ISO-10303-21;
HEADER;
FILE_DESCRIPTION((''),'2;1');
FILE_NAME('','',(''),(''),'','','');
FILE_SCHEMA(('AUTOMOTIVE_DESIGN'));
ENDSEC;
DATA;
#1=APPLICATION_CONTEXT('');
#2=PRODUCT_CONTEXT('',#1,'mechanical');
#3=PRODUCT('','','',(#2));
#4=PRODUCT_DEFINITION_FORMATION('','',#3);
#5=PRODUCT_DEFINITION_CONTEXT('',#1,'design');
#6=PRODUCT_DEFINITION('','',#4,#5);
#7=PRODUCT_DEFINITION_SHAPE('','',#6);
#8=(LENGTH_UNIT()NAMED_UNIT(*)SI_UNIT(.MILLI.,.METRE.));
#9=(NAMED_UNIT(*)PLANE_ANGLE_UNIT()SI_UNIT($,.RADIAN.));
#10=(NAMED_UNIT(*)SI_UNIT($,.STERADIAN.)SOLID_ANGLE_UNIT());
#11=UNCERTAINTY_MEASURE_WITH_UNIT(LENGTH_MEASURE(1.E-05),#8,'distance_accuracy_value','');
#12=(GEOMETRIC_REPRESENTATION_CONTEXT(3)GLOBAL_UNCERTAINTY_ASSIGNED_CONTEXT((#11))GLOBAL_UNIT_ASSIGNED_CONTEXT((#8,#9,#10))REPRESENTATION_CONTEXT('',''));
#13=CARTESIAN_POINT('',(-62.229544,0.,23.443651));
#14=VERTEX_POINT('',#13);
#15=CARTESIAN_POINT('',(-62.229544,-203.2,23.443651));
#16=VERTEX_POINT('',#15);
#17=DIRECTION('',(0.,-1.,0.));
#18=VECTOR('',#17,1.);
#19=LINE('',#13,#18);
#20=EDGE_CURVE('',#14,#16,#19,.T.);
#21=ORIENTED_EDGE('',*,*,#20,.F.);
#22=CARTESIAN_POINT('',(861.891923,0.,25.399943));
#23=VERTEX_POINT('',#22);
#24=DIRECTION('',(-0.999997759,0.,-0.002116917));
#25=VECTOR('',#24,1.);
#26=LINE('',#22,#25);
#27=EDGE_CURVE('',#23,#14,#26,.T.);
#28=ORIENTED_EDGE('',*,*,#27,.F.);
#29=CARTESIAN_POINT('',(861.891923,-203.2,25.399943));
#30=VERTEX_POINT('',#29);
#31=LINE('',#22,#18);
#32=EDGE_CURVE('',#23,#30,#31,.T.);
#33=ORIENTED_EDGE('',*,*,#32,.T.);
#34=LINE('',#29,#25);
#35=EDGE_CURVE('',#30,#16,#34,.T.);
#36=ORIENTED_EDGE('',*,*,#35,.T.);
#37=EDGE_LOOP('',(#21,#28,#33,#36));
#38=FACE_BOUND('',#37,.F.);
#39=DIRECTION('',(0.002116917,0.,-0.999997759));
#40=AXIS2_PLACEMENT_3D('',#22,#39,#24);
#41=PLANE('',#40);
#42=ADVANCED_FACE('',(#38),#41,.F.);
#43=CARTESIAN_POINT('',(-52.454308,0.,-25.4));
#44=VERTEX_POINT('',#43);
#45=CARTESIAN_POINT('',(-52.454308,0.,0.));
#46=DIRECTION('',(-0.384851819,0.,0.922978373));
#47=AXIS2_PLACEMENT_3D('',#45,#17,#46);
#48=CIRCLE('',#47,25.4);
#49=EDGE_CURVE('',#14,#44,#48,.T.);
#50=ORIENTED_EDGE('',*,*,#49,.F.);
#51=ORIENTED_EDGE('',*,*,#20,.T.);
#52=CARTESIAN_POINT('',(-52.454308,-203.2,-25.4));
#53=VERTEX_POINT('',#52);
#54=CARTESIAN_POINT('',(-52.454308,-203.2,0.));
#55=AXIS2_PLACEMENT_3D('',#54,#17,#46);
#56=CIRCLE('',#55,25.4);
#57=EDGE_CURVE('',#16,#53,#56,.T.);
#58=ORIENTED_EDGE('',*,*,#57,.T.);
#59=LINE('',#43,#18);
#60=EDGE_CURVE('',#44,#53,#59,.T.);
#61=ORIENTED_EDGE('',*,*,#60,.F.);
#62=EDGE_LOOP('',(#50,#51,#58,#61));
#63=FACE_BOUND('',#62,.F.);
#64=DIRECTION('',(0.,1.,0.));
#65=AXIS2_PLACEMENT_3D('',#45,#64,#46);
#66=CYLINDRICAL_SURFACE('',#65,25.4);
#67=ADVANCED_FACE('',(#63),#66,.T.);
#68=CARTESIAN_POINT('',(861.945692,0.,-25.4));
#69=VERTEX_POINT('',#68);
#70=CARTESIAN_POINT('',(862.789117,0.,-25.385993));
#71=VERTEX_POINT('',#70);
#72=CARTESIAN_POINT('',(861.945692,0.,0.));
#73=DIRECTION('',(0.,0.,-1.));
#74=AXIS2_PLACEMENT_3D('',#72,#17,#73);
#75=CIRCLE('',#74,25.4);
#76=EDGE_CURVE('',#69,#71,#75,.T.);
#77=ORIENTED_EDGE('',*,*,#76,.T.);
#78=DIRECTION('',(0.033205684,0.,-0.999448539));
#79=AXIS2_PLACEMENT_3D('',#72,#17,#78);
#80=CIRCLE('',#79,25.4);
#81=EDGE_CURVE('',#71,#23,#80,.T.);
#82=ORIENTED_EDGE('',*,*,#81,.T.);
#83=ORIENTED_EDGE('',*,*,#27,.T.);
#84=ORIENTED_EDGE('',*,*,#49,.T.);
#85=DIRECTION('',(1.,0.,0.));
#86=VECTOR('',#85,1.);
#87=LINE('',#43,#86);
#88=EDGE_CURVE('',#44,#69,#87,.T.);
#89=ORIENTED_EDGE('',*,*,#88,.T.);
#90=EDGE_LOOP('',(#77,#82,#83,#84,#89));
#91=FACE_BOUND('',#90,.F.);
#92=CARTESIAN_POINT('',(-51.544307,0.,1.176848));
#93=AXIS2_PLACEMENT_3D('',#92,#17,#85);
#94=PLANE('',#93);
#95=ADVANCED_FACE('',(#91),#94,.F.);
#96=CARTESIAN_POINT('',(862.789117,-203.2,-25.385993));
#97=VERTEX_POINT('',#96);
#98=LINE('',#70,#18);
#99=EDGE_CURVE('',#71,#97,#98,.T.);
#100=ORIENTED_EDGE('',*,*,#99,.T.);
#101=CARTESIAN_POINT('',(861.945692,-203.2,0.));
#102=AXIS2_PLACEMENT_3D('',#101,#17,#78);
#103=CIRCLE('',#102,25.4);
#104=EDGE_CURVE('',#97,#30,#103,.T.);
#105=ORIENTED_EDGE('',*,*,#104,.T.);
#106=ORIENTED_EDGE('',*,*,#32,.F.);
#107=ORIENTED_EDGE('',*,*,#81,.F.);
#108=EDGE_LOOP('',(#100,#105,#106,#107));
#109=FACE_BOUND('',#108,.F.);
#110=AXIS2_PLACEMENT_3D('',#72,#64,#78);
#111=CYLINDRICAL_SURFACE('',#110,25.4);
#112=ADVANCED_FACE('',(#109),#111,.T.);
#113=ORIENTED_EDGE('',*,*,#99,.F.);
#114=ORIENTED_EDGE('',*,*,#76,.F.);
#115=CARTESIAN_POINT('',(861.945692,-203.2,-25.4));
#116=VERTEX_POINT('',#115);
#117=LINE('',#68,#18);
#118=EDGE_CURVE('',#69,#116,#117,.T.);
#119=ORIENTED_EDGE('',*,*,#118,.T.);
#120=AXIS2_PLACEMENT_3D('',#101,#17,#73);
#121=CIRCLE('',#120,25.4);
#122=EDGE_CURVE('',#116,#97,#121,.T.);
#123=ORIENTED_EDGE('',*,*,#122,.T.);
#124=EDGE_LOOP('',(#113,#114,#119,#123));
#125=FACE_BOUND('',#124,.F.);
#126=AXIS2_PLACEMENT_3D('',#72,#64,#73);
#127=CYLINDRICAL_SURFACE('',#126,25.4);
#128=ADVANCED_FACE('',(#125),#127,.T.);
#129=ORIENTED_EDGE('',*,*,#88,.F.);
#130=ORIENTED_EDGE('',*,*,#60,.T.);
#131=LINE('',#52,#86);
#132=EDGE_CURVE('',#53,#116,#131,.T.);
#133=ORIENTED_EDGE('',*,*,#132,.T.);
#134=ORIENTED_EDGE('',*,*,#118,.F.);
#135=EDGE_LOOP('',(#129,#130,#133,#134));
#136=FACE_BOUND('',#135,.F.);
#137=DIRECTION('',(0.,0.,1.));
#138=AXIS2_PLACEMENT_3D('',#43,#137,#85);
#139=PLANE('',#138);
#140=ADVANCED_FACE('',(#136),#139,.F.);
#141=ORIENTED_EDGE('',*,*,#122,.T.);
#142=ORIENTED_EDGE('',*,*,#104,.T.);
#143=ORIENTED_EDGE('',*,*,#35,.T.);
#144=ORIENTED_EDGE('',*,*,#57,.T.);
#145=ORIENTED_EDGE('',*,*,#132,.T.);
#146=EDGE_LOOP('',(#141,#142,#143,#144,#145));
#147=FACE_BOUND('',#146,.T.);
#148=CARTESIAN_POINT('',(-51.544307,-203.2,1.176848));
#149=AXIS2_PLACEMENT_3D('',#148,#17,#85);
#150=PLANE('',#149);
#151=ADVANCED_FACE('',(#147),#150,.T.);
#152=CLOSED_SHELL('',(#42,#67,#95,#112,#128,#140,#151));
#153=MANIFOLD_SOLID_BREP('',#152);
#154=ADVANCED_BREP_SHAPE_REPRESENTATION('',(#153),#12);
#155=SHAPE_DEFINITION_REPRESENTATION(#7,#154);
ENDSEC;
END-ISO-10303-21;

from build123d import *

# Parameters (mm, degrees)
F1_DEPTH = 203.2


with BuildPart() as f1:
    # F0 (on Front) → F1 (new body)
    with BuildSketch(Plane.XZ):
        with BuildLine():
            Line((-42.7784153649, 23.4848271869), (-62.2295438798, 23.4436506788))
            ThreePointArc((-62.2295438798, 23.4436506788), (-77.3604186448, -4.984539736), (-52.4543076754, -25.4))
            ThreePointArc((-52.4543076754, -25.4), (-34.4937954332, -17.9605122421), (-27.0543076754, 0))
            ThreePointArc((-27.0543076754, 0), (-31.348293548, 14.1313894454), (-42.7784153649, 23.4848271869))
        make_face()
        with BuildLine():
            Line((861.8919226443, 25.399943087), (-42.7784153649, 23.4848271869))
            ThreePointArc((-42.7784153649, 23.4848271869), (-31.348293548, 14.1313894454), (-27.0543076754, 0))
            Line((-27.0543076754, 0), (836.5456923246, 0))
            ThreePointArc((836.5456923246, 0), (843.96617968, 17.9414917178), (861.8919226443, 25.399943087))
        make_face()
        with BuildLine():
            ThreePointArc((-27.0543076754, 0), (-34.4937954332, -17.9605122421), (-52.4543076754, -25.4))
            Line((-52.4543076754, -25.4), (861.9456923246, -25.4))
            ThreePointArc((861.9456923246, -25.4), (843.9851800825, -17.9605122421), (836.5456923246, 0))
            Line((836.5456923246, 0), (-27.0543076754, 0))
        make_face()
        with BuildLine():
            ThreePointArc((887.3456923246, 0), (879.8871840424, 17.9795126447), (861.8919226443, 25.399943087))
            Line((861.8919226443, 25.399943087), (862.7891166971, -25.3859928962))
            ThreePointArc((862.7891166971, -25.3859928962), (880.2019649324, -17.659799276), (887.3456923246, 0))
        make_face()
        with BuildLine():
            ThreePointArc((836.5456923246, 0), (843.9851800825, -17.9605122421), (861.9456923246, -25.4))
            ThreePointArc((861.9456923246, -25.4), (862.3674626623, -25.3964979826), (862.7891166971, -25.3859928962))
            Line((862.7891166971, -25.3859928962), (861.8919226443, 25.399943087))
            ThreePointArc((861.8919226443, 25.399943087), (843.96617968, 17.9414917178), (836.5456923246, 0))
        make_face()
    extrude(amount=F1_DEPTH)


solid = f1.part
